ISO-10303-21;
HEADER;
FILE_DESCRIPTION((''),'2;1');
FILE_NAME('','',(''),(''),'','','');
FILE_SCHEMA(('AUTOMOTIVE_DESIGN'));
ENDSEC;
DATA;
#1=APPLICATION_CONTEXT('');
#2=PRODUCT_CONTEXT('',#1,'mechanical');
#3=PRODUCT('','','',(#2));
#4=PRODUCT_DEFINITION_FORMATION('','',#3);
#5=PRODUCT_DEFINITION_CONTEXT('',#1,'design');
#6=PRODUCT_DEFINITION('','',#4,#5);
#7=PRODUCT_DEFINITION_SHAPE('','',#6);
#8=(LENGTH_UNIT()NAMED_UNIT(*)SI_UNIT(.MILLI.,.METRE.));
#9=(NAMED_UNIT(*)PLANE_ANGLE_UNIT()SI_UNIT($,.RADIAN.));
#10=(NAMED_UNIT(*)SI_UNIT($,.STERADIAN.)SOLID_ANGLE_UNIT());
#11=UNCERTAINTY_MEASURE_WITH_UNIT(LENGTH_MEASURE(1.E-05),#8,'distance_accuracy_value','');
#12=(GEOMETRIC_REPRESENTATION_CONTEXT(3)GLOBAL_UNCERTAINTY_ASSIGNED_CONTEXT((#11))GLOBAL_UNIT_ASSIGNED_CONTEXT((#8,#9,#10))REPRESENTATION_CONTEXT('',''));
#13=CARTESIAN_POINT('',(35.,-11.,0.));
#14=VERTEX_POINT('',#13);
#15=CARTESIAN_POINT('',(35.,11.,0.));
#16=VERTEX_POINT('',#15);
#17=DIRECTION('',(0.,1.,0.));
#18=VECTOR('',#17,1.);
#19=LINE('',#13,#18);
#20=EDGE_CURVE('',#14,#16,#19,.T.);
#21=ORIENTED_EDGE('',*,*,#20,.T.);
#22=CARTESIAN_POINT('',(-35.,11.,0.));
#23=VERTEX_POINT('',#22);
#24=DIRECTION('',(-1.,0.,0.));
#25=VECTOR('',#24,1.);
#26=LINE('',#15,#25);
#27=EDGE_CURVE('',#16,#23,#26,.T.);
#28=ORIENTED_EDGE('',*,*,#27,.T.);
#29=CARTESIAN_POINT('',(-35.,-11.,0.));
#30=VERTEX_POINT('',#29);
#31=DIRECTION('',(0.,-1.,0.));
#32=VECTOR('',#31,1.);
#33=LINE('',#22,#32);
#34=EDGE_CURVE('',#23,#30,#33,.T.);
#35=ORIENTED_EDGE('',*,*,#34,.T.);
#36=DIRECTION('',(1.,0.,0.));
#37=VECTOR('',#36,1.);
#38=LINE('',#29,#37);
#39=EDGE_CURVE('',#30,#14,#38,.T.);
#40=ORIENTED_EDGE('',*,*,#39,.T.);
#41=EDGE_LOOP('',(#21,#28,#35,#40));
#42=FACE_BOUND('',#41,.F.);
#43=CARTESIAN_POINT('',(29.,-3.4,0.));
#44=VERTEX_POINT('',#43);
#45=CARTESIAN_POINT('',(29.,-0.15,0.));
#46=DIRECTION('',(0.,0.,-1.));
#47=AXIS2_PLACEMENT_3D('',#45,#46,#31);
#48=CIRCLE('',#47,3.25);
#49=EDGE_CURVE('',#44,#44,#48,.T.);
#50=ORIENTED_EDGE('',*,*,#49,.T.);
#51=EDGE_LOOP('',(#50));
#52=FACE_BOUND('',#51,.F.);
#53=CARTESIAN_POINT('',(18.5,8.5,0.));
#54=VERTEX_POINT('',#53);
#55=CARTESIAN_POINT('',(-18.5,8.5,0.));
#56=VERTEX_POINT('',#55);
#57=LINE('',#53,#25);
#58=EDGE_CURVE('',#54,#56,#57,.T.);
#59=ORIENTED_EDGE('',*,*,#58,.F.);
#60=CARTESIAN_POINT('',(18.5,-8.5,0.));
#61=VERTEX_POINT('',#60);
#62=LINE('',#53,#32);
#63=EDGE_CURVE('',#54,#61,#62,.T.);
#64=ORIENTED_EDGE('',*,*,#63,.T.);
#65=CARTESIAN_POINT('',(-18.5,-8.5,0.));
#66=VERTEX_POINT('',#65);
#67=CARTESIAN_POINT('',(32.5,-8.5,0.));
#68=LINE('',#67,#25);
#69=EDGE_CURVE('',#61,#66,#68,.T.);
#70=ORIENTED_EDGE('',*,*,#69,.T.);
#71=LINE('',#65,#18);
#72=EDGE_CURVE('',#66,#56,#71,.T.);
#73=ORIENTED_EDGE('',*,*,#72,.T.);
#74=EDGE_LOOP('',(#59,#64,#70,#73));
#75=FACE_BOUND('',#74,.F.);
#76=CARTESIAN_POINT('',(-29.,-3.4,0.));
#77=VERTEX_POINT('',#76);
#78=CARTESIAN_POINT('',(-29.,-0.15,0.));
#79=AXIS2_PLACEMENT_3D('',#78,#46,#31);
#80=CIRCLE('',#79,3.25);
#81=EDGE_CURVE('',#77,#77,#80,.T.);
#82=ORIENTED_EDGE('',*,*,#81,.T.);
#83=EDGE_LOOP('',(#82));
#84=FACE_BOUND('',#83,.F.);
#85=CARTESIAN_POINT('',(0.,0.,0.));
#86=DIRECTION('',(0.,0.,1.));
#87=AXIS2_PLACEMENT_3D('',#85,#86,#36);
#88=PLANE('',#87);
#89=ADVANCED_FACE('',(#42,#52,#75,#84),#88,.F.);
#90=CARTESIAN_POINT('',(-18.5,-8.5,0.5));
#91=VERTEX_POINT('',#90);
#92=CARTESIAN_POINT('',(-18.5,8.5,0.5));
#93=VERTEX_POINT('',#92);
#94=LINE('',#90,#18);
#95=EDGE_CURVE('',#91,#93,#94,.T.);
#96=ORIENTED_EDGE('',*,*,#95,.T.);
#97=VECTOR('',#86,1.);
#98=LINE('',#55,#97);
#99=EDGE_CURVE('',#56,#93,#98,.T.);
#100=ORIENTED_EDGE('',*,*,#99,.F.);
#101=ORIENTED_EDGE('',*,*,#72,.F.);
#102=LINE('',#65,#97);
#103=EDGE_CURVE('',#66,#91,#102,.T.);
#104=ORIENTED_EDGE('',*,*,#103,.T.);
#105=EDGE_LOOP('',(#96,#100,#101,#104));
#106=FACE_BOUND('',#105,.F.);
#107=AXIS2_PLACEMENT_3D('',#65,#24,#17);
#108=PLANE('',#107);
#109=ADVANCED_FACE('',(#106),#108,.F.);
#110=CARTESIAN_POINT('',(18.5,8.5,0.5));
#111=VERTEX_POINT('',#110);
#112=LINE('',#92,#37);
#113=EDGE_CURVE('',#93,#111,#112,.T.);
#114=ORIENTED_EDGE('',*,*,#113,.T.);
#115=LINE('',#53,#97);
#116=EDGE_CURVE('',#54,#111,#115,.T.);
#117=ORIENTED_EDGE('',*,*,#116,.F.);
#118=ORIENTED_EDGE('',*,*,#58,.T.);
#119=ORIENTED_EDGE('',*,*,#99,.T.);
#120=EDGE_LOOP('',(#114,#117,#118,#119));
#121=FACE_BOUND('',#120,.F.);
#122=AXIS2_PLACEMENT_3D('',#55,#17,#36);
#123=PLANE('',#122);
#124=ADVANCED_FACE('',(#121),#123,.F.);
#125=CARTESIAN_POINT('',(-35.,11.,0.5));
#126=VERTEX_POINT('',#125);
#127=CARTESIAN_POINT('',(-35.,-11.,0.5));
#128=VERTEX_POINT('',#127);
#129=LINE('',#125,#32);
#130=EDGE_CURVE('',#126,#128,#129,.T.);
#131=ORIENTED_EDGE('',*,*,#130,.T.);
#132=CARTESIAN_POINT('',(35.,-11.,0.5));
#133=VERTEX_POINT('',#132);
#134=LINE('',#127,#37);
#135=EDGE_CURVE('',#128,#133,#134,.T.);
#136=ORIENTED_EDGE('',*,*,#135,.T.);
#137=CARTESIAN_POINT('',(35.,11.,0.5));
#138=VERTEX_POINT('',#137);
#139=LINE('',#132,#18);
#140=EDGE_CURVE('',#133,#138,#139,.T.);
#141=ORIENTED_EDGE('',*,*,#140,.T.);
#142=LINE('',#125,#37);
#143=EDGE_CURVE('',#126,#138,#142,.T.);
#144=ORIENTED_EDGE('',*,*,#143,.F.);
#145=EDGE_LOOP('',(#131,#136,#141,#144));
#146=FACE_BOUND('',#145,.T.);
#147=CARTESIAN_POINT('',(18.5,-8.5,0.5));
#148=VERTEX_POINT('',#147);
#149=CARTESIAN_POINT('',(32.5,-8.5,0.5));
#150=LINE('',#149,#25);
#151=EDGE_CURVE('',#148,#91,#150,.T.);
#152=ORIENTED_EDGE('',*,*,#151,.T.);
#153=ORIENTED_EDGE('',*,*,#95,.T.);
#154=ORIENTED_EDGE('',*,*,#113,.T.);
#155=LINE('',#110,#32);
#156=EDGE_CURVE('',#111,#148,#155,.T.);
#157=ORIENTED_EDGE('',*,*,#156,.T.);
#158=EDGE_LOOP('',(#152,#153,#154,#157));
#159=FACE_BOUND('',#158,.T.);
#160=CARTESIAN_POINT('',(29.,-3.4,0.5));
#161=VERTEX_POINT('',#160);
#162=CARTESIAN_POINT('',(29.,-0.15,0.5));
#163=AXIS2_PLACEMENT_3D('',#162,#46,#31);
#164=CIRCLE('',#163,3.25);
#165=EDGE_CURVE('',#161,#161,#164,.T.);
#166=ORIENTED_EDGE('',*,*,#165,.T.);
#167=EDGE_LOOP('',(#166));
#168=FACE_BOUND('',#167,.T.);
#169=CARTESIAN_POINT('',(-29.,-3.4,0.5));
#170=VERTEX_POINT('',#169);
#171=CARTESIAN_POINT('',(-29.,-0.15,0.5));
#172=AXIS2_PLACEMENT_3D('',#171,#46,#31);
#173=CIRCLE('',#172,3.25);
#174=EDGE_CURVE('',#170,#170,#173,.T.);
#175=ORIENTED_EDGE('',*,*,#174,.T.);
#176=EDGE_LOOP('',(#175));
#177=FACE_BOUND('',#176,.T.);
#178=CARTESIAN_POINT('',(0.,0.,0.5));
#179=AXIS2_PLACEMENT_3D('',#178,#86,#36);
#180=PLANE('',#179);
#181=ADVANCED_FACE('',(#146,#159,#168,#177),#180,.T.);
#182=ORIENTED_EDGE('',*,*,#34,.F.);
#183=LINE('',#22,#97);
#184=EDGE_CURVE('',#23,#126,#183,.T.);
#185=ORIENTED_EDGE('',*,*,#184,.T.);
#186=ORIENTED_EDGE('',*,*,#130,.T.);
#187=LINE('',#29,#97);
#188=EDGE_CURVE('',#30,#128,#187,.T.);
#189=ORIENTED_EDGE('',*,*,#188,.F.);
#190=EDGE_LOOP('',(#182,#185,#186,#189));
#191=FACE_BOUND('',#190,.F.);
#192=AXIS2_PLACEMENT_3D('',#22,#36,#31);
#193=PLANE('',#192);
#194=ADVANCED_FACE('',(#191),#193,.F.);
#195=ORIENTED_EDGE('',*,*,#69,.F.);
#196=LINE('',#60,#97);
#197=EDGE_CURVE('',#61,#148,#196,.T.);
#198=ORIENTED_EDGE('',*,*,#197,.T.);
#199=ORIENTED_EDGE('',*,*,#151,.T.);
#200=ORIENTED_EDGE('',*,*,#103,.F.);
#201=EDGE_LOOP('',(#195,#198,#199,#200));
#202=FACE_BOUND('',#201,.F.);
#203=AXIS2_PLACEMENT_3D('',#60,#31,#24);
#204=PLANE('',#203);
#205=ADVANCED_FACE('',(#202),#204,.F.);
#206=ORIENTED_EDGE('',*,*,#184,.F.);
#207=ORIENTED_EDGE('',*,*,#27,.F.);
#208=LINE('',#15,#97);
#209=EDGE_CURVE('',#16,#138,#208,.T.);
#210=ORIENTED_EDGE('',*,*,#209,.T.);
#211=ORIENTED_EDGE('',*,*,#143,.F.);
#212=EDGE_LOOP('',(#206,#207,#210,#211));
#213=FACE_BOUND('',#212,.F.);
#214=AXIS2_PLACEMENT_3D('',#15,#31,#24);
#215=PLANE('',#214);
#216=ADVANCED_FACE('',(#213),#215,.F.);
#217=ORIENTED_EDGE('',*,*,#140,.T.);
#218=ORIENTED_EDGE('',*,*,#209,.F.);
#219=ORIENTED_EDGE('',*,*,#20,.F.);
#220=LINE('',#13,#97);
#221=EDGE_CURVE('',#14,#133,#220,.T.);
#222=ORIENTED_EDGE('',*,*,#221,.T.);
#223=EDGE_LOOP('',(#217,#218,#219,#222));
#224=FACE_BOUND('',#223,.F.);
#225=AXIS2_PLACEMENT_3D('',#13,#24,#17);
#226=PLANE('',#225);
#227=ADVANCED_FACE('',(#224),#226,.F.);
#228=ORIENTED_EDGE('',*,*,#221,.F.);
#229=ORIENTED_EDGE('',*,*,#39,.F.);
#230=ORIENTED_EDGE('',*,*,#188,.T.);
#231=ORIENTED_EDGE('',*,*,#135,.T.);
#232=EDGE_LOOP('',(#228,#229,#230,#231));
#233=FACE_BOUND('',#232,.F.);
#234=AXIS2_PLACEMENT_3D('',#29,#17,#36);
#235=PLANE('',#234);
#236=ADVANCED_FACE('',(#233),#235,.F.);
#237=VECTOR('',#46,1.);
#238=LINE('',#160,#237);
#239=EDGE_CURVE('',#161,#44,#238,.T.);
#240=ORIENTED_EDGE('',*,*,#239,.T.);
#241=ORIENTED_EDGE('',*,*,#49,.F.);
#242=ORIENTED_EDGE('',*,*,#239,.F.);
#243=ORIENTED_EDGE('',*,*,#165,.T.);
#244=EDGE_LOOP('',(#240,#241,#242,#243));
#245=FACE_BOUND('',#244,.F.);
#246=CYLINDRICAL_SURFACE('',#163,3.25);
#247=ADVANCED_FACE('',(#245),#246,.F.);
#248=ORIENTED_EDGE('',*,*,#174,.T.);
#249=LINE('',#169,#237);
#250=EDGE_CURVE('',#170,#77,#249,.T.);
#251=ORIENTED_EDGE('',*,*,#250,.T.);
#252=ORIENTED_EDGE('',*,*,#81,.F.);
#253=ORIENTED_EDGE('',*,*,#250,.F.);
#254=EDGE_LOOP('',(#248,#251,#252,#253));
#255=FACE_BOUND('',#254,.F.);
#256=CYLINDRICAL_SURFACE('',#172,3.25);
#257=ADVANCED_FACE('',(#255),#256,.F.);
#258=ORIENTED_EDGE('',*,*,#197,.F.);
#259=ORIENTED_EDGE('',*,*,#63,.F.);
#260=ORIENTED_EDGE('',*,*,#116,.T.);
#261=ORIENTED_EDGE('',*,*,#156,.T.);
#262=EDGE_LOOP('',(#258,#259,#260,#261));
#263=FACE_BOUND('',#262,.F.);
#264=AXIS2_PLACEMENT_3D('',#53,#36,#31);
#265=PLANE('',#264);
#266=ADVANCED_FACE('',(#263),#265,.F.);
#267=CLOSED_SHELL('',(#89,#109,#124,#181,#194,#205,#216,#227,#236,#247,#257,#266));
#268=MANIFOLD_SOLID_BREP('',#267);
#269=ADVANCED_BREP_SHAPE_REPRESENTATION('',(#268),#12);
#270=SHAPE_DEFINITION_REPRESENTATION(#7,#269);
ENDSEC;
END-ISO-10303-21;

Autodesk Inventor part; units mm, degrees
ref_plane "YZ Plane" through (0, 0, 0) normal (1, 0, 0) x (0, 1, 0)
ref_plane "XZ Plane" through (0, 0, 0) normal (0, 1, 0) x (-1, 0, 0)
ref_plane "XY Plane" through (0, 0, 0) normal (0, 0, 1) x (1, 0, 0)
ref_plane "Arbeitsebene1" through (0, 0, 0) normal (0, 0, 1) x (1, 0, 0)
sketch "Skizze1" plane through (0, 0, 0) normal (0, 0, 1) x (1, 0, 0)
  circle A0 centre (12, 2.9) radius 1.5 projected
  circle A1 centre (-12, 2.9) radius 1.5 projected
  line L0 (2.5, 12.9) -> (2.5, -7.1) projected
  line L1 (2.5, -7.1) -> (2.25, -7.1) projected
  line L2 (2.25, -7.1) -> (2, -7.1) projected
  line L3 (2, -7.1) -> (1.75, -7.1) projected
  line L4 (1.75, -7.1) -> (1.5, -7.1) projected
  line L5 (1.5, -7.1) -> (1.25, -7.1) projected
  line L6 (1.25, -7.1) -> (1, -7.1) projected
  line L7 (1, -7.1) -> (0.75, -7.1) projected
  line L8 (0.75, -7.1) -> (0.5, -7.1) projected
  line L9 (0.5, -7.1) -> (0.25, -7.1) projected
  line L10 (0.25, -7.1) -> (0, -7.1) projected
  line L11 (0, -7.1) -> (-0.25, -7.1) projected
  line L12 (-0.25, -7.1) -> (-0.5, -7.1) projected
  line L13 (-0.5, -7.1) -> (-0.75, -7.1) projected
  line L14 (-0.75, -7.1) -> (-1, -7.1) projected
  line L15 (-1, -7.1) -> (-1.25, -7.1) projected
  line L16 (-1.25, -7.1) -> (-1.5, -7.1) projected
  line L17 (-1.5, -7.1) -> (-1.75, -7.1) projected
  line L18 (-1.75, -7.1) -> (-2, -7.1) projected
  line L19 (-2, -7.1) -> (-2.25, -7.1) projected
  line L20 (-2.25, -7.1) -> (-2.5, -7.1) projected
  line L21 (-2.5, -7.1) -> (-2.5, 12.9) projected
  line L22 (-2.5, 12.9) -> (-38, 12.9) projected
  line L23 (-38, 12.9) -> (-38, -12.9) projected
  line L24 (-38, -12.9) -> (38, -12.9) projected
  line L25 (38, -12.9) -> (38, 12.9) projected
  line L26 (38, 12.9) -> (2.5, 12.9) projected
  line L27 (35, 11) -> (-35, 11)
  line L28 (-35, 11) -> (-35, -11)
  line L29 (-35, -11) -> (35, -11)
  line L30 (35, -11) -> (35, 11)
  line L31 (35, 11) -> (-35, -11) construction
  line L32 (-35, 11) -> (35, -11) construction
  line L33 (-32.5, 8.5) -> (32.5, 8.5)
  line L34 (32.5, 8.5) -> (32.5, -8.5)
  line L35 (32.5, -8.5) -> (-32.5, -8.5)
  line L36 (-32.5, -8.5) -> (-32.5, 8.5)
  line L37 (-32.5, -8.5) -> (-18.5, -8.5)
  line L38 (-18.5, -8.5) -> (-18.5, 8.5)
  line L39 (-18.5, 8.5) -> (-32.5, 8.5)
  line L40 (-32.5, 8.5) -> (-32.5, -8.5)
  line L41 (32.5, 8.5) -> (18.5, 8.5)
  line L42 (18.5, 8.5) -> (18.5, -8.5)
  line L43 (18.5, -8.5) -> (32.5, -8.5)
  line L44 (32.5, -8.5) -> (32.5, 8.5)
  point P0 (0, 0)
  dimension "d0" = 70
  dimension "d1" = 22
  dimension "d2" = 2.5
  dimension "d5" = 14
  dimension "d6" = 14
extrude "Extrusion1" add sketch "Skizze1" along normal blind 0.5 contours L27 L30 L29 L28 L21 L33 L36 L35 L34 L0 | L0 L33 L21 L27 | L33 L34 L35 L42 | L38 L35 L36 L33
sketch "Skizze2" plane through (0, 0, 0.5) normal (0, 0, 1) x (1, 0, 0)
  circle A0 centre (-29, -0.15) radius 1.6 projected
  circle A1 centre (29, -0.15) radius 1.6 projected
  point P0 (0, 0)
hole "Bohrung1" at (-29, -0.15, 0.5) at (29, -0.15, 0.5) direction (0, 0, -1) diameter 3.5 end through all counterbore diameter 6.5 counterbore depth 2
properties part number "00_Gasket"
